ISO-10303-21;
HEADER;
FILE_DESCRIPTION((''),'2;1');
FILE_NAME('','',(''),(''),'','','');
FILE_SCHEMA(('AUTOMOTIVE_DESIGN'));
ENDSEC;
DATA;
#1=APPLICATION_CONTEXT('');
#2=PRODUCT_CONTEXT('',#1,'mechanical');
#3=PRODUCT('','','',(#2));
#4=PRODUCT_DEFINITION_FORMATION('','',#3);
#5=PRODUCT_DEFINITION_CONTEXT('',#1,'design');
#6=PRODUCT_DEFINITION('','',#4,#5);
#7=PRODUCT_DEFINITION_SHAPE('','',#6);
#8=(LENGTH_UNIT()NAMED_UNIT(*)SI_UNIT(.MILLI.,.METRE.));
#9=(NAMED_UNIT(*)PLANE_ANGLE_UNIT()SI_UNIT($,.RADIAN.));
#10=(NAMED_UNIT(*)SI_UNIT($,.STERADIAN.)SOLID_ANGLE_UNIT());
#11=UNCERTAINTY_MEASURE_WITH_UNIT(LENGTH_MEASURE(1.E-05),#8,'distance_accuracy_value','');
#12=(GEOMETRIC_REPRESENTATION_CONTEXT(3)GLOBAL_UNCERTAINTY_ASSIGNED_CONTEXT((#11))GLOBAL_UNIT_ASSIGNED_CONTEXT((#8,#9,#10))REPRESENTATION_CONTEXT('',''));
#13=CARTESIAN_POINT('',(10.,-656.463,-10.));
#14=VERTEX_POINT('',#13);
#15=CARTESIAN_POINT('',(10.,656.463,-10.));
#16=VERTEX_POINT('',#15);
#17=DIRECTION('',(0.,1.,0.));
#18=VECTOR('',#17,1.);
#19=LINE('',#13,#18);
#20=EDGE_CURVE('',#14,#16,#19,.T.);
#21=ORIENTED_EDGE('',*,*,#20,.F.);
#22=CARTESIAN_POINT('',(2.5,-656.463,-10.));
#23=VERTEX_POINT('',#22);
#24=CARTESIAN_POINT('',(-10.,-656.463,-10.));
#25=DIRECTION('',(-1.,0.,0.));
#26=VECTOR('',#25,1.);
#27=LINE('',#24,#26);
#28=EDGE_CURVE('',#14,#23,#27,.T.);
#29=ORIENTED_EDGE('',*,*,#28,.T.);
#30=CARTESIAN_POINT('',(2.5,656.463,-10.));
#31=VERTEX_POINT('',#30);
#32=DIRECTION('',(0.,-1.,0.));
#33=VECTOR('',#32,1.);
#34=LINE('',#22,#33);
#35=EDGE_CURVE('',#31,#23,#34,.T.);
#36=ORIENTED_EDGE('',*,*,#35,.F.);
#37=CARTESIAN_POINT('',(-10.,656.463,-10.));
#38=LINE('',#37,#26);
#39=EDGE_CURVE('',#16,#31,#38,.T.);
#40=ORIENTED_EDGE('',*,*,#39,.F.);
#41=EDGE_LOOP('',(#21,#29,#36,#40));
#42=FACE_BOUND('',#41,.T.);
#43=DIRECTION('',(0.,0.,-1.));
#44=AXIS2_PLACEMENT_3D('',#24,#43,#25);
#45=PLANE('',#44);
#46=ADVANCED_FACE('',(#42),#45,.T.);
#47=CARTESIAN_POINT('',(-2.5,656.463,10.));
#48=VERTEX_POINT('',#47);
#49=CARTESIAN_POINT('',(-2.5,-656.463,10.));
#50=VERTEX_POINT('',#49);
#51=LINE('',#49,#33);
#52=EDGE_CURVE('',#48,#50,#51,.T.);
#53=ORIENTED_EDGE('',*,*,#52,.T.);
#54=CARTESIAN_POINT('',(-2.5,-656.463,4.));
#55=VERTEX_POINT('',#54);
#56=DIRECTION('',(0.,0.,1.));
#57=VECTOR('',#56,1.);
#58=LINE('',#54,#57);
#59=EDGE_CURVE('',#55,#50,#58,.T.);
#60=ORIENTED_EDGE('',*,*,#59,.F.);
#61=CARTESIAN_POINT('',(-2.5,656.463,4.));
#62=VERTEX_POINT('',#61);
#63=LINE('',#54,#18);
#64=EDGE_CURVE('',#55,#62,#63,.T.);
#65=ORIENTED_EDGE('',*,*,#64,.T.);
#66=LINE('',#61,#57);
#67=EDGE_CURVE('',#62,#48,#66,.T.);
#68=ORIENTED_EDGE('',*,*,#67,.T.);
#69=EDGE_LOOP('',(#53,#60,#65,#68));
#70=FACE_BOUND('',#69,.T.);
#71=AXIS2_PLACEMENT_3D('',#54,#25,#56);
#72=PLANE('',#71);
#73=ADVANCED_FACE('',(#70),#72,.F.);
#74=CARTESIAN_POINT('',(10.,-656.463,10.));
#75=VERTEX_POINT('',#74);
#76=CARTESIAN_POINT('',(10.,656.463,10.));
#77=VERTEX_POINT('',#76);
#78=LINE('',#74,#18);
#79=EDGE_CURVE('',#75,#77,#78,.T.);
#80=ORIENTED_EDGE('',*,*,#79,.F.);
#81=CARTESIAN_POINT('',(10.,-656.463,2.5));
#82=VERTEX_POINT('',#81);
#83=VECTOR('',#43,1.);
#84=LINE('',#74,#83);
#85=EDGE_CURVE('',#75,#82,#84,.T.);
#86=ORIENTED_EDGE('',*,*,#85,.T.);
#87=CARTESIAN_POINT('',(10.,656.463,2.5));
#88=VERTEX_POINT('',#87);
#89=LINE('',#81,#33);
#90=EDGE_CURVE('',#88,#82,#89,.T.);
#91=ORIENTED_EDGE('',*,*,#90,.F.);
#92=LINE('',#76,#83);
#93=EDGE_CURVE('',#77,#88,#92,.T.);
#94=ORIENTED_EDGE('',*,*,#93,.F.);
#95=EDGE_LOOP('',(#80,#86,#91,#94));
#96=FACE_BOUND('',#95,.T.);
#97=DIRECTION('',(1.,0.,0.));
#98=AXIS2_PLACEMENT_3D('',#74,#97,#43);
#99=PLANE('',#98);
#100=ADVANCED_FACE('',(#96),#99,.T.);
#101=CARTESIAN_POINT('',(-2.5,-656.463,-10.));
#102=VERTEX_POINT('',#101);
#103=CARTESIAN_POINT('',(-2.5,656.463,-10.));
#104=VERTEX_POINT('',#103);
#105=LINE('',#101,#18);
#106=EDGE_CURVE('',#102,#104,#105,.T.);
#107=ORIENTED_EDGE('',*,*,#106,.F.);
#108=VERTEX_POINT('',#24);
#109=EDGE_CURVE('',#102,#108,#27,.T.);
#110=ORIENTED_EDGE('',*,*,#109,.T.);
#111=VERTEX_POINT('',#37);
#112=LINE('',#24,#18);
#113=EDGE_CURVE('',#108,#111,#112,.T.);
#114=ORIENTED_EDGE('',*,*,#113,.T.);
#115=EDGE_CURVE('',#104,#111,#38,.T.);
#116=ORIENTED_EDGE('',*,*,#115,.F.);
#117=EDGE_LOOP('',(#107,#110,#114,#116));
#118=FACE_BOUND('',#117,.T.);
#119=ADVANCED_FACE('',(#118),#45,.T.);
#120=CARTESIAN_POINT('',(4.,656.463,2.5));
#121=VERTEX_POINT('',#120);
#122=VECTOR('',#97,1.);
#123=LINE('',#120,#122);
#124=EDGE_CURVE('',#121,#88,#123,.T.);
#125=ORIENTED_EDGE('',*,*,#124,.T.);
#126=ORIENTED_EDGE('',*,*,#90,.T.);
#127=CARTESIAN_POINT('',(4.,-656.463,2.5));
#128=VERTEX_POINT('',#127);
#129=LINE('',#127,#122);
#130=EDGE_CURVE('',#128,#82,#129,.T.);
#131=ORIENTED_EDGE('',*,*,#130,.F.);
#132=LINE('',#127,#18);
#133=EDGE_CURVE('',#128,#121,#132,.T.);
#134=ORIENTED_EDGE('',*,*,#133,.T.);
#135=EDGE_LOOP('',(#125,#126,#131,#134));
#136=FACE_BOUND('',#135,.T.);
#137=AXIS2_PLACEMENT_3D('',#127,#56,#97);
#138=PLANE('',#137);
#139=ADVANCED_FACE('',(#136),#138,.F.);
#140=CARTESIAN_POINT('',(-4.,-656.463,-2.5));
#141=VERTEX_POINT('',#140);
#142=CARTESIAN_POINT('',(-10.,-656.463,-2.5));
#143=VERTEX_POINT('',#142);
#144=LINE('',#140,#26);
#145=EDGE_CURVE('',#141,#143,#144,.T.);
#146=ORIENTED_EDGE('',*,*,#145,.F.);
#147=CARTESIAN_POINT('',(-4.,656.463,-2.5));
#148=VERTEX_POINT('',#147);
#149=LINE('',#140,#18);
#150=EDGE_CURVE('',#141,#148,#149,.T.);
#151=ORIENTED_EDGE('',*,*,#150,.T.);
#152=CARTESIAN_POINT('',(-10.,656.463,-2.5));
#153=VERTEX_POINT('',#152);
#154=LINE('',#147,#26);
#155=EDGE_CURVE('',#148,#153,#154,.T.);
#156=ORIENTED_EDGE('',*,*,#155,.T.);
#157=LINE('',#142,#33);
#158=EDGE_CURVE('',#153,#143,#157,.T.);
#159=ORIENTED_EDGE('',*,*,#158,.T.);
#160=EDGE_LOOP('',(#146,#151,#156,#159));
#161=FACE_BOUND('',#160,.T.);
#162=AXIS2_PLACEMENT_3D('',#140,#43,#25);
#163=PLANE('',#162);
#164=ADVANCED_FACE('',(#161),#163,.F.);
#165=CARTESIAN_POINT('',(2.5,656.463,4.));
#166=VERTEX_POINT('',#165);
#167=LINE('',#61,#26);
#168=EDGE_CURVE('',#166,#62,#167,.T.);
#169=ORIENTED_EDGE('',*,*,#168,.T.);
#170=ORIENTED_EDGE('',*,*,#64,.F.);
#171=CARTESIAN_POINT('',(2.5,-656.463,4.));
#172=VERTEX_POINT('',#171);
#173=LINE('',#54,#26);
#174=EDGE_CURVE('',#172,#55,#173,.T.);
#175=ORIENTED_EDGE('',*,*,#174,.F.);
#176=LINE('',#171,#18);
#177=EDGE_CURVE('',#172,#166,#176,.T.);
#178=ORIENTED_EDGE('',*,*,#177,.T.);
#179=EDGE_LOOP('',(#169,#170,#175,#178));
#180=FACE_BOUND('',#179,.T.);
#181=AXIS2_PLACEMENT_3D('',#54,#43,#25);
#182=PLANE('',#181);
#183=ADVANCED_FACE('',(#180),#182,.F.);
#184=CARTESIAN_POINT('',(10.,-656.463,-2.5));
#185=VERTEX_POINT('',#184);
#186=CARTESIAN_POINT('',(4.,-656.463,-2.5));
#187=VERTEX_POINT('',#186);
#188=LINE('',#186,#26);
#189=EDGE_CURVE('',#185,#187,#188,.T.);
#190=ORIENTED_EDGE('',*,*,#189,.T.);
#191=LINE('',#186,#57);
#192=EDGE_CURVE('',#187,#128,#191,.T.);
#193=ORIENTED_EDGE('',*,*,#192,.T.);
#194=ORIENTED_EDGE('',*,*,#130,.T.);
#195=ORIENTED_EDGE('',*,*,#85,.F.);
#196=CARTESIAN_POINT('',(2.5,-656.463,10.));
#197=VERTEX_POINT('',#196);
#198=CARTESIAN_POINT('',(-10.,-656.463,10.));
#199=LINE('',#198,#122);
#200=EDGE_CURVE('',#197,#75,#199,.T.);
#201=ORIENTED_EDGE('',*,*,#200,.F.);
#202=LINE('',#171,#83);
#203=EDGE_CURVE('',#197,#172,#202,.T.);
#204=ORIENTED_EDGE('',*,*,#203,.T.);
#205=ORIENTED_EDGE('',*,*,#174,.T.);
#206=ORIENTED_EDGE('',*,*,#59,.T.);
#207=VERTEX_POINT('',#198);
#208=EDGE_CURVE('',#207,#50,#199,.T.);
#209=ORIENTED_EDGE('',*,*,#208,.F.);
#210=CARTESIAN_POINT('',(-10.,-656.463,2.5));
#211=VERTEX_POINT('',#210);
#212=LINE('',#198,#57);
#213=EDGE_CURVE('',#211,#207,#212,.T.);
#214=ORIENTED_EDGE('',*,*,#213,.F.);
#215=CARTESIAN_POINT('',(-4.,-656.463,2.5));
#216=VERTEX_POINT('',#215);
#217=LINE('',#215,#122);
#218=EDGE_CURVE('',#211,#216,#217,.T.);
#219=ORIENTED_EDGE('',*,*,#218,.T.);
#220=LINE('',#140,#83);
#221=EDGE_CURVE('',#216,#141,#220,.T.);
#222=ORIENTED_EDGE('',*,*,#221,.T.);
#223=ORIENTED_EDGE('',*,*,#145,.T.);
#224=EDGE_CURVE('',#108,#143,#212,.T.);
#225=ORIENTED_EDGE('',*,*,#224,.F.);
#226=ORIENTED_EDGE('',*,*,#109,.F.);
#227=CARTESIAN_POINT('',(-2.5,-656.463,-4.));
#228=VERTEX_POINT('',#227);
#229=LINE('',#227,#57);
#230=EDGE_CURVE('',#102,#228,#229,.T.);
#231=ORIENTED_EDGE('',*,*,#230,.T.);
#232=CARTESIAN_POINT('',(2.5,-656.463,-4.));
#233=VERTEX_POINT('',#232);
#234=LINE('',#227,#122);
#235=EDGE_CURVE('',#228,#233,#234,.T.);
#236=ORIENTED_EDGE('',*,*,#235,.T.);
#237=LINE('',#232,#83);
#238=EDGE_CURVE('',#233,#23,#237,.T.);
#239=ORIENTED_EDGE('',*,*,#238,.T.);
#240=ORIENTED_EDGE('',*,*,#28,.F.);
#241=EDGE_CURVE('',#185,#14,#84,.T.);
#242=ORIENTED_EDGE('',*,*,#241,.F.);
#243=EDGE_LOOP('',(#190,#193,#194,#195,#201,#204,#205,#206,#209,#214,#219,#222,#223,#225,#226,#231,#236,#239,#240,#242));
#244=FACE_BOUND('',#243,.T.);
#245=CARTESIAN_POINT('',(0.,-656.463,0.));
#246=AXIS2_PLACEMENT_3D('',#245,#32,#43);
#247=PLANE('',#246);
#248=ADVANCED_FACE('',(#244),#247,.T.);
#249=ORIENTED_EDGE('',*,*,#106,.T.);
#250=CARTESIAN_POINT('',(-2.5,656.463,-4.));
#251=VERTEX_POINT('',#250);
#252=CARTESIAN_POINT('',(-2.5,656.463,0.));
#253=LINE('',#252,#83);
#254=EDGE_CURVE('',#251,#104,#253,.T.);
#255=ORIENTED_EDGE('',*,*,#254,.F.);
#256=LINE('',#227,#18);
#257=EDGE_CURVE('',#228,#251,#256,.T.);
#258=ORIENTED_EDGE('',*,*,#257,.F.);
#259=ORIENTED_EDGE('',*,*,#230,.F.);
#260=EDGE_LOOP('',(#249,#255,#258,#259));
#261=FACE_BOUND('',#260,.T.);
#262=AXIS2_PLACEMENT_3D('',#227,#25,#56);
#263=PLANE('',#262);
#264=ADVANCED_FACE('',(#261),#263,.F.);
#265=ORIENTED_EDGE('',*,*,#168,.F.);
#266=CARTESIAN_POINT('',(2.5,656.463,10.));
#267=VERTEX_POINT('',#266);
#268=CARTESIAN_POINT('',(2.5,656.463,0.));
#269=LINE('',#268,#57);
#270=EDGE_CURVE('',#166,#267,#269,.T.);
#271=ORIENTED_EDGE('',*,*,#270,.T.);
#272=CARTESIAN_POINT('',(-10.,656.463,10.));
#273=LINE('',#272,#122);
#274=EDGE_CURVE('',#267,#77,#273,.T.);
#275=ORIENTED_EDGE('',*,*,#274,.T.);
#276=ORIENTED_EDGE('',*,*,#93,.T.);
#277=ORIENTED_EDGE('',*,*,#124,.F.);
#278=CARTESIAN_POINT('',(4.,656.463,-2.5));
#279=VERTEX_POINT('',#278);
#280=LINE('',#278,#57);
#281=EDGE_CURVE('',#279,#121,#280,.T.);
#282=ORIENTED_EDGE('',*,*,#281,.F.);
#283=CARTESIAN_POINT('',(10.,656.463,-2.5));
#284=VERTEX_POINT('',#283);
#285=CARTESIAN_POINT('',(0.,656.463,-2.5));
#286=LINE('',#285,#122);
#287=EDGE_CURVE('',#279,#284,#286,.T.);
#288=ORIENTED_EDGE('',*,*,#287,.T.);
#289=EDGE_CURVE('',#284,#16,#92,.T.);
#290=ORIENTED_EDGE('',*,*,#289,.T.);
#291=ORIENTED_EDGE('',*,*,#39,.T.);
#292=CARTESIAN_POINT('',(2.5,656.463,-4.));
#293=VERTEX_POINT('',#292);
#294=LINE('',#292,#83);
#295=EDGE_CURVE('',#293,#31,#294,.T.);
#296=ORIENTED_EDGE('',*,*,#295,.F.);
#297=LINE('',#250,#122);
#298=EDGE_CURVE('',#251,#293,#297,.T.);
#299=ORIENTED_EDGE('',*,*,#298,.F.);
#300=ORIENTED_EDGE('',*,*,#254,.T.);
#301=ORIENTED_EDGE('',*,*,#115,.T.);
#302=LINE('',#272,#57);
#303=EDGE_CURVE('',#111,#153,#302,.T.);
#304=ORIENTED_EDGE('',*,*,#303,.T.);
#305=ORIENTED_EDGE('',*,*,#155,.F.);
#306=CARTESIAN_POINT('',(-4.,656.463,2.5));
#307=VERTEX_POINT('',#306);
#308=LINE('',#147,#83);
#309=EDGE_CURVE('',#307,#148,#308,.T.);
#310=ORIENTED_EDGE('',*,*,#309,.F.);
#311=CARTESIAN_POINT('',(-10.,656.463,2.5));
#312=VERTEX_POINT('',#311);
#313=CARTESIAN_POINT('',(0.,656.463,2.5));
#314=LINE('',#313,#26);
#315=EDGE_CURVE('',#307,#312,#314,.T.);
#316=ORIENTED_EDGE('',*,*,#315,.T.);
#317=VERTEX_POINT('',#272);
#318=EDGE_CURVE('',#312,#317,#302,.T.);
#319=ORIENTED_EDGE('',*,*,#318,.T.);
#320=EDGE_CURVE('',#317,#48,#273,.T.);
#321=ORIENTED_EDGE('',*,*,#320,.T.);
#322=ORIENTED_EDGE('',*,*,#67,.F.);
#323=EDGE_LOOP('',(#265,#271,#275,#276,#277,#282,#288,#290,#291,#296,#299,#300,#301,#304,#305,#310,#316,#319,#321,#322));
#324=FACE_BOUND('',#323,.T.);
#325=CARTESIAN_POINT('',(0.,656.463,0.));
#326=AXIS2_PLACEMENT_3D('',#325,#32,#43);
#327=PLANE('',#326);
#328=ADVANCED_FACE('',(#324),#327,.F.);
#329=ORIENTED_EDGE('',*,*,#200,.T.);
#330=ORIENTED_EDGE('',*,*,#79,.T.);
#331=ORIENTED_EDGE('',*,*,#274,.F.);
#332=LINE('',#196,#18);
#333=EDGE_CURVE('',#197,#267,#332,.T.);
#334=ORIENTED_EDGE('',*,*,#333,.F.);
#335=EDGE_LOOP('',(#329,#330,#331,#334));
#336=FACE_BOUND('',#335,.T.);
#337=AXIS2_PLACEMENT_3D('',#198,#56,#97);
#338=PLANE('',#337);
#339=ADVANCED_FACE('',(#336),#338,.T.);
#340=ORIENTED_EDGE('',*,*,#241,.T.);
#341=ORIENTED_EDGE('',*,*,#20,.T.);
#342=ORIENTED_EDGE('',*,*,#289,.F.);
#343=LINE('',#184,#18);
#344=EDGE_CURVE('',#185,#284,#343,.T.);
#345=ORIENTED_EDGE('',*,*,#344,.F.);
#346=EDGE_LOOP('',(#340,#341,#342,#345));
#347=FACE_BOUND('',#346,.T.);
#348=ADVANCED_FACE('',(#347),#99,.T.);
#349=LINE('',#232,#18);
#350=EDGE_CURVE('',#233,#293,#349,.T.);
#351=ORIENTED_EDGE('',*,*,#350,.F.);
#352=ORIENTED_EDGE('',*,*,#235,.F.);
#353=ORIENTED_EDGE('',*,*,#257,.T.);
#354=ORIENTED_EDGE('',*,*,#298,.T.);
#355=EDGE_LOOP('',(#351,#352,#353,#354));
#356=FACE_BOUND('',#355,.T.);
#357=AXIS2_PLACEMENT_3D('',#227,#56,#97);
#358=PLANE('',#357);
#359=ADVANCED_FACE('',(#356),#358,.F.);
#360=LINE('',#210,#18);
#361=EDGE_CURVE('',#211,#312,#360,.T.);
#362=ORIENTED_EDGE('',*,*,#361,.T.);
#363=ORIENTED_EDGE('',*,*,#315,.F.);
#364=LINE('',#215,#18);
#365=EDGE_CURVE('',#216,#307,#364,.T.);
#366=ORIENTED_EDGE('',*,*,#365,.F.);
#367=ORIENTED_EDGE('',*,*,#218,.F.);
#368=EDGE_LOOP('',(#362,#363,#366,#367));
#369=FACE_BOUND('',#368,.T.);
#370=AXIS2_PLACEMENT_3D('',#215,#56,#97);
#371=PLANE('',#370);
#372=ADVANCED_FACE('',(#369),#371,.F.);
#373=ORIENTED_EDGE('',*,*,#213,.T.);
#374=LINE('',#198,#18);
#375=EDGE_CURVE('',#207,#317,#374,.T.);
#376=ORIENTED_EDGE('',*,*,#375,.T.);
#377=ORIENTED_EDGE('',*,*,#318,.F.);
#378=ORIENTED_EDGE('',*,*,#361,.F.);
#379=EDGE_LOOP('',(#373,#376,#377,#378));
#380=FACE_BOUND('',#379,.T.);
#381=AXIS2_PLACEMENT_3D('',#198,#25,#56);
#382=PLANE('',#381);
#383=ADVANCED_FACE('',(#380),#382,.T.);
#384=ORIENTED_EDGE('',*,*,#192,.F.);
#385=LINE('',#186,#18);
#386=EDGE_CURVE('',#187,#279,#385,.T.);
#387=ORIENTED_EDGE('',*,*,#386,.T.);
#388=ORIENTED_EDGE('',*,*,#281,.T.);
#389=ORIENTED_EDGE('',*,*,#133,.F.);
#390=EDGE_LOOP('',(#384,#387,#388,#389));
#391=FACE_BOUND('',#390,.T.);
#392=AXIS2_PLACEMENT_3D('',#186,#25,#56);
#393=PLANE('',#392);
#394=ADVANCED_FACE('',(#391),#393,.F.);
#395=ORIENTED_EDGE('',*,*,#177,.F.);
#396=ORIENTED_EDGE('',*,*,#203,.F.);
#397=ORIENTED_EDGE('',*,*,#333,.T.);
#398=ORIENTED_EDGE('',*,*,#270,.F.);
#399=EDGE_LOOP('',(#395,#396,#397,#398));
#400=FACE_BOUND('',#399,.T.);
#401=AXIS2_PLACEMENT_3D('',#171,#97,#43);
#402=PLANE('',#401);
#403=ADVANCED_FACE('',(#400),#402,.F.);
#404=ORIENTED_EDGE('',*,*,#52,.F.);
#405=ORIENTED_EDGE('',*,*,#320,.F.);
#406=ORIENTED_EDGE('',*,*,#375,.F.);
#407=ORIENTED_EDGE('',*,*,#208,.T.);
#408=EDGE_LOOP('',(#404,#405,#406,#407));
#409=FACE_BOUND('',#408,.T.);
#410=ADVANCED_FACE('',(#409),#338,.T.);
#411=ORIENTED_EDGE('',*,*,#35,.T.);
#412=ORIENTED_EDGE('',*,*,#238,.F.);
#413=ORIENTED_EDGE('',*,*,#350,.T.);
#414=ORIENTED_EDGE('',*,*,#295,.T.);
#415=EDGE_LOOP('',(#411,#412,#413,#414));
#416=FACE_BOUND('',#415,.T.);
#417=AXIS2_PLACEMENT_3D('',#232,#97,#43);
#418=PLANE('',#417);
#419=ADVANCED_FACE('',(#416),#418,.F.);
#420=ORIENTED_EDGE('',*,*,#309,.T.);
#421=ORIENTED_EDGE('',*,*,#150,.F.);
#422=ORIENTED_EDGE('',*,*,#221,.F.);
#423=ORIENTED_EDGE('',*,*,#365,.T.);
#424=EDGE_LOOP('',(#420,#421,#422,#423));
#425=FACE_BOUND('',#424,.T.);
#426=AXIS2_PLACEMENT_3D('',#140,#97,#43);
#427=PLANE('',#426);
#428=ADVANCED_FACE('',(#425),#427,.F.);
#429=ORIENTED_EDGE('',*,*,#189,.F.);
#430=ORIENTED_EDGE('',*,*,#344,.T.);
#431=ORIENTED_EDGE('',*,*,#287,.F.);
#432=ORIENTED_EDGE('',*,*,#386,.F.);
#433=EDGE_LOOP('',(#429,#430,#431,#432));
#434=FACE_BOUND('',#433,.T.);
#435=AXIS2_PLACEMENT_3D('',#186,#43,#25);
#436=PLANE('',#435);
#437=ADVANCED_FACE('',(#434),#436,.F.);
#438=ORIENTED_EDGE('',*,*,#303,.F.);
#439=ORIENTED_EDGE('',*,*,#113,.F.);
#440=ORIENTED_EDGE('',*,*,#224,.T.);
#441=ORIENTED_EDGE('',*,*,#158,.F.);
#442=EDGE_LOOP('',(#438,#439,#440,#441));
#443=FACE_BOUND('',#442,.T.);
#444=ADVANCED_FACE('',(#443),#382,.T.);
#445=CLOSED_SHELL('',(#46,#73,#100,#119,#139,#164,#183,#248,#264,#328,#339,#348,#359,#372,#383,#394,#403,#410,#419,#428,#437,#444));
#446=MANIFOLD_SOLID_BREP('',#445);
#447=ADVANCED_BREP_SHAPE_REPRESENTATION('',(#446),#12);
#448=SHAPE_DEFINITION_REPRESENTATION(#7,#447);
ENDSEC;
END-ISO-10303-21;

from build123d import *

# Parameters (mm, degrees)
BOSS_EXTRUDE1_DEPTH      = 656.463
BOSS_EXTRUDE1_DEPTH_BACK = 656.463
SKETCH1_W                = 20
SKETCH1_H                = 20
CUT_EXTRUDE1_DEPTH       = 657.61531384
CUT_EXTRUDE1_DEPTH_BACK  = 657.61531384
SKETCH2_W                = 5
SKETCH2_H                = 12
SKETCH2_W_2              = 12
SKETCH2_H_2              = 5


with BuildPart() as part:
    # Sketch1 → Boss-Extrude1 (new, two sides: drawn at the far end of the back side and taken through both)
    with BuildSketch(Plane(origin=(0, 0, 0), x_dir=(1, 0, 0), z_dir=(0, 1, 0)).offset(-BOSS_EXTRUDE1_DEPTH_BACK)):
        Rectangle(SKETCH1_W, SKETCH1_H)
    extrude(amount=BOSS_EXTRUDE1_DEPTH + BOSS_EXTRUDE1_DEPTH_BACK)

    # Sketch2 → Cut-Extrude1 (cut, two sides: drawn at the far end of the back side and taken through both)
    with BuildSketch(Plane(origin=(0, 0, 0), x_dir=(1, 0, 0), z_dir=(0, 1, 0)).offset(-CUT_EXTRUDE1_DEPTH_BACK)):
        with Locations((0, 10)):
            Rectangle(SKETCH2_W, SKETCH2_H)
        with Locations((10, 0)):
            Rectangle(SKETCH2_W_2, SKETCH2_H_2)
        with Locations((-10, 0)):
            Rectangle(SKETCH2_W_2, SKETCH2_H_2)
        with Locations((0, -10)):
            Rectangle(SKETCH2_W, SKETCH2_H)
    extrude(amount=CUT_EXTRUDE1_DEPTH + CUT_EXTRUDE1_DEPTH_BACK, mode=Mode.SUBTRACT)


solid = part.part
